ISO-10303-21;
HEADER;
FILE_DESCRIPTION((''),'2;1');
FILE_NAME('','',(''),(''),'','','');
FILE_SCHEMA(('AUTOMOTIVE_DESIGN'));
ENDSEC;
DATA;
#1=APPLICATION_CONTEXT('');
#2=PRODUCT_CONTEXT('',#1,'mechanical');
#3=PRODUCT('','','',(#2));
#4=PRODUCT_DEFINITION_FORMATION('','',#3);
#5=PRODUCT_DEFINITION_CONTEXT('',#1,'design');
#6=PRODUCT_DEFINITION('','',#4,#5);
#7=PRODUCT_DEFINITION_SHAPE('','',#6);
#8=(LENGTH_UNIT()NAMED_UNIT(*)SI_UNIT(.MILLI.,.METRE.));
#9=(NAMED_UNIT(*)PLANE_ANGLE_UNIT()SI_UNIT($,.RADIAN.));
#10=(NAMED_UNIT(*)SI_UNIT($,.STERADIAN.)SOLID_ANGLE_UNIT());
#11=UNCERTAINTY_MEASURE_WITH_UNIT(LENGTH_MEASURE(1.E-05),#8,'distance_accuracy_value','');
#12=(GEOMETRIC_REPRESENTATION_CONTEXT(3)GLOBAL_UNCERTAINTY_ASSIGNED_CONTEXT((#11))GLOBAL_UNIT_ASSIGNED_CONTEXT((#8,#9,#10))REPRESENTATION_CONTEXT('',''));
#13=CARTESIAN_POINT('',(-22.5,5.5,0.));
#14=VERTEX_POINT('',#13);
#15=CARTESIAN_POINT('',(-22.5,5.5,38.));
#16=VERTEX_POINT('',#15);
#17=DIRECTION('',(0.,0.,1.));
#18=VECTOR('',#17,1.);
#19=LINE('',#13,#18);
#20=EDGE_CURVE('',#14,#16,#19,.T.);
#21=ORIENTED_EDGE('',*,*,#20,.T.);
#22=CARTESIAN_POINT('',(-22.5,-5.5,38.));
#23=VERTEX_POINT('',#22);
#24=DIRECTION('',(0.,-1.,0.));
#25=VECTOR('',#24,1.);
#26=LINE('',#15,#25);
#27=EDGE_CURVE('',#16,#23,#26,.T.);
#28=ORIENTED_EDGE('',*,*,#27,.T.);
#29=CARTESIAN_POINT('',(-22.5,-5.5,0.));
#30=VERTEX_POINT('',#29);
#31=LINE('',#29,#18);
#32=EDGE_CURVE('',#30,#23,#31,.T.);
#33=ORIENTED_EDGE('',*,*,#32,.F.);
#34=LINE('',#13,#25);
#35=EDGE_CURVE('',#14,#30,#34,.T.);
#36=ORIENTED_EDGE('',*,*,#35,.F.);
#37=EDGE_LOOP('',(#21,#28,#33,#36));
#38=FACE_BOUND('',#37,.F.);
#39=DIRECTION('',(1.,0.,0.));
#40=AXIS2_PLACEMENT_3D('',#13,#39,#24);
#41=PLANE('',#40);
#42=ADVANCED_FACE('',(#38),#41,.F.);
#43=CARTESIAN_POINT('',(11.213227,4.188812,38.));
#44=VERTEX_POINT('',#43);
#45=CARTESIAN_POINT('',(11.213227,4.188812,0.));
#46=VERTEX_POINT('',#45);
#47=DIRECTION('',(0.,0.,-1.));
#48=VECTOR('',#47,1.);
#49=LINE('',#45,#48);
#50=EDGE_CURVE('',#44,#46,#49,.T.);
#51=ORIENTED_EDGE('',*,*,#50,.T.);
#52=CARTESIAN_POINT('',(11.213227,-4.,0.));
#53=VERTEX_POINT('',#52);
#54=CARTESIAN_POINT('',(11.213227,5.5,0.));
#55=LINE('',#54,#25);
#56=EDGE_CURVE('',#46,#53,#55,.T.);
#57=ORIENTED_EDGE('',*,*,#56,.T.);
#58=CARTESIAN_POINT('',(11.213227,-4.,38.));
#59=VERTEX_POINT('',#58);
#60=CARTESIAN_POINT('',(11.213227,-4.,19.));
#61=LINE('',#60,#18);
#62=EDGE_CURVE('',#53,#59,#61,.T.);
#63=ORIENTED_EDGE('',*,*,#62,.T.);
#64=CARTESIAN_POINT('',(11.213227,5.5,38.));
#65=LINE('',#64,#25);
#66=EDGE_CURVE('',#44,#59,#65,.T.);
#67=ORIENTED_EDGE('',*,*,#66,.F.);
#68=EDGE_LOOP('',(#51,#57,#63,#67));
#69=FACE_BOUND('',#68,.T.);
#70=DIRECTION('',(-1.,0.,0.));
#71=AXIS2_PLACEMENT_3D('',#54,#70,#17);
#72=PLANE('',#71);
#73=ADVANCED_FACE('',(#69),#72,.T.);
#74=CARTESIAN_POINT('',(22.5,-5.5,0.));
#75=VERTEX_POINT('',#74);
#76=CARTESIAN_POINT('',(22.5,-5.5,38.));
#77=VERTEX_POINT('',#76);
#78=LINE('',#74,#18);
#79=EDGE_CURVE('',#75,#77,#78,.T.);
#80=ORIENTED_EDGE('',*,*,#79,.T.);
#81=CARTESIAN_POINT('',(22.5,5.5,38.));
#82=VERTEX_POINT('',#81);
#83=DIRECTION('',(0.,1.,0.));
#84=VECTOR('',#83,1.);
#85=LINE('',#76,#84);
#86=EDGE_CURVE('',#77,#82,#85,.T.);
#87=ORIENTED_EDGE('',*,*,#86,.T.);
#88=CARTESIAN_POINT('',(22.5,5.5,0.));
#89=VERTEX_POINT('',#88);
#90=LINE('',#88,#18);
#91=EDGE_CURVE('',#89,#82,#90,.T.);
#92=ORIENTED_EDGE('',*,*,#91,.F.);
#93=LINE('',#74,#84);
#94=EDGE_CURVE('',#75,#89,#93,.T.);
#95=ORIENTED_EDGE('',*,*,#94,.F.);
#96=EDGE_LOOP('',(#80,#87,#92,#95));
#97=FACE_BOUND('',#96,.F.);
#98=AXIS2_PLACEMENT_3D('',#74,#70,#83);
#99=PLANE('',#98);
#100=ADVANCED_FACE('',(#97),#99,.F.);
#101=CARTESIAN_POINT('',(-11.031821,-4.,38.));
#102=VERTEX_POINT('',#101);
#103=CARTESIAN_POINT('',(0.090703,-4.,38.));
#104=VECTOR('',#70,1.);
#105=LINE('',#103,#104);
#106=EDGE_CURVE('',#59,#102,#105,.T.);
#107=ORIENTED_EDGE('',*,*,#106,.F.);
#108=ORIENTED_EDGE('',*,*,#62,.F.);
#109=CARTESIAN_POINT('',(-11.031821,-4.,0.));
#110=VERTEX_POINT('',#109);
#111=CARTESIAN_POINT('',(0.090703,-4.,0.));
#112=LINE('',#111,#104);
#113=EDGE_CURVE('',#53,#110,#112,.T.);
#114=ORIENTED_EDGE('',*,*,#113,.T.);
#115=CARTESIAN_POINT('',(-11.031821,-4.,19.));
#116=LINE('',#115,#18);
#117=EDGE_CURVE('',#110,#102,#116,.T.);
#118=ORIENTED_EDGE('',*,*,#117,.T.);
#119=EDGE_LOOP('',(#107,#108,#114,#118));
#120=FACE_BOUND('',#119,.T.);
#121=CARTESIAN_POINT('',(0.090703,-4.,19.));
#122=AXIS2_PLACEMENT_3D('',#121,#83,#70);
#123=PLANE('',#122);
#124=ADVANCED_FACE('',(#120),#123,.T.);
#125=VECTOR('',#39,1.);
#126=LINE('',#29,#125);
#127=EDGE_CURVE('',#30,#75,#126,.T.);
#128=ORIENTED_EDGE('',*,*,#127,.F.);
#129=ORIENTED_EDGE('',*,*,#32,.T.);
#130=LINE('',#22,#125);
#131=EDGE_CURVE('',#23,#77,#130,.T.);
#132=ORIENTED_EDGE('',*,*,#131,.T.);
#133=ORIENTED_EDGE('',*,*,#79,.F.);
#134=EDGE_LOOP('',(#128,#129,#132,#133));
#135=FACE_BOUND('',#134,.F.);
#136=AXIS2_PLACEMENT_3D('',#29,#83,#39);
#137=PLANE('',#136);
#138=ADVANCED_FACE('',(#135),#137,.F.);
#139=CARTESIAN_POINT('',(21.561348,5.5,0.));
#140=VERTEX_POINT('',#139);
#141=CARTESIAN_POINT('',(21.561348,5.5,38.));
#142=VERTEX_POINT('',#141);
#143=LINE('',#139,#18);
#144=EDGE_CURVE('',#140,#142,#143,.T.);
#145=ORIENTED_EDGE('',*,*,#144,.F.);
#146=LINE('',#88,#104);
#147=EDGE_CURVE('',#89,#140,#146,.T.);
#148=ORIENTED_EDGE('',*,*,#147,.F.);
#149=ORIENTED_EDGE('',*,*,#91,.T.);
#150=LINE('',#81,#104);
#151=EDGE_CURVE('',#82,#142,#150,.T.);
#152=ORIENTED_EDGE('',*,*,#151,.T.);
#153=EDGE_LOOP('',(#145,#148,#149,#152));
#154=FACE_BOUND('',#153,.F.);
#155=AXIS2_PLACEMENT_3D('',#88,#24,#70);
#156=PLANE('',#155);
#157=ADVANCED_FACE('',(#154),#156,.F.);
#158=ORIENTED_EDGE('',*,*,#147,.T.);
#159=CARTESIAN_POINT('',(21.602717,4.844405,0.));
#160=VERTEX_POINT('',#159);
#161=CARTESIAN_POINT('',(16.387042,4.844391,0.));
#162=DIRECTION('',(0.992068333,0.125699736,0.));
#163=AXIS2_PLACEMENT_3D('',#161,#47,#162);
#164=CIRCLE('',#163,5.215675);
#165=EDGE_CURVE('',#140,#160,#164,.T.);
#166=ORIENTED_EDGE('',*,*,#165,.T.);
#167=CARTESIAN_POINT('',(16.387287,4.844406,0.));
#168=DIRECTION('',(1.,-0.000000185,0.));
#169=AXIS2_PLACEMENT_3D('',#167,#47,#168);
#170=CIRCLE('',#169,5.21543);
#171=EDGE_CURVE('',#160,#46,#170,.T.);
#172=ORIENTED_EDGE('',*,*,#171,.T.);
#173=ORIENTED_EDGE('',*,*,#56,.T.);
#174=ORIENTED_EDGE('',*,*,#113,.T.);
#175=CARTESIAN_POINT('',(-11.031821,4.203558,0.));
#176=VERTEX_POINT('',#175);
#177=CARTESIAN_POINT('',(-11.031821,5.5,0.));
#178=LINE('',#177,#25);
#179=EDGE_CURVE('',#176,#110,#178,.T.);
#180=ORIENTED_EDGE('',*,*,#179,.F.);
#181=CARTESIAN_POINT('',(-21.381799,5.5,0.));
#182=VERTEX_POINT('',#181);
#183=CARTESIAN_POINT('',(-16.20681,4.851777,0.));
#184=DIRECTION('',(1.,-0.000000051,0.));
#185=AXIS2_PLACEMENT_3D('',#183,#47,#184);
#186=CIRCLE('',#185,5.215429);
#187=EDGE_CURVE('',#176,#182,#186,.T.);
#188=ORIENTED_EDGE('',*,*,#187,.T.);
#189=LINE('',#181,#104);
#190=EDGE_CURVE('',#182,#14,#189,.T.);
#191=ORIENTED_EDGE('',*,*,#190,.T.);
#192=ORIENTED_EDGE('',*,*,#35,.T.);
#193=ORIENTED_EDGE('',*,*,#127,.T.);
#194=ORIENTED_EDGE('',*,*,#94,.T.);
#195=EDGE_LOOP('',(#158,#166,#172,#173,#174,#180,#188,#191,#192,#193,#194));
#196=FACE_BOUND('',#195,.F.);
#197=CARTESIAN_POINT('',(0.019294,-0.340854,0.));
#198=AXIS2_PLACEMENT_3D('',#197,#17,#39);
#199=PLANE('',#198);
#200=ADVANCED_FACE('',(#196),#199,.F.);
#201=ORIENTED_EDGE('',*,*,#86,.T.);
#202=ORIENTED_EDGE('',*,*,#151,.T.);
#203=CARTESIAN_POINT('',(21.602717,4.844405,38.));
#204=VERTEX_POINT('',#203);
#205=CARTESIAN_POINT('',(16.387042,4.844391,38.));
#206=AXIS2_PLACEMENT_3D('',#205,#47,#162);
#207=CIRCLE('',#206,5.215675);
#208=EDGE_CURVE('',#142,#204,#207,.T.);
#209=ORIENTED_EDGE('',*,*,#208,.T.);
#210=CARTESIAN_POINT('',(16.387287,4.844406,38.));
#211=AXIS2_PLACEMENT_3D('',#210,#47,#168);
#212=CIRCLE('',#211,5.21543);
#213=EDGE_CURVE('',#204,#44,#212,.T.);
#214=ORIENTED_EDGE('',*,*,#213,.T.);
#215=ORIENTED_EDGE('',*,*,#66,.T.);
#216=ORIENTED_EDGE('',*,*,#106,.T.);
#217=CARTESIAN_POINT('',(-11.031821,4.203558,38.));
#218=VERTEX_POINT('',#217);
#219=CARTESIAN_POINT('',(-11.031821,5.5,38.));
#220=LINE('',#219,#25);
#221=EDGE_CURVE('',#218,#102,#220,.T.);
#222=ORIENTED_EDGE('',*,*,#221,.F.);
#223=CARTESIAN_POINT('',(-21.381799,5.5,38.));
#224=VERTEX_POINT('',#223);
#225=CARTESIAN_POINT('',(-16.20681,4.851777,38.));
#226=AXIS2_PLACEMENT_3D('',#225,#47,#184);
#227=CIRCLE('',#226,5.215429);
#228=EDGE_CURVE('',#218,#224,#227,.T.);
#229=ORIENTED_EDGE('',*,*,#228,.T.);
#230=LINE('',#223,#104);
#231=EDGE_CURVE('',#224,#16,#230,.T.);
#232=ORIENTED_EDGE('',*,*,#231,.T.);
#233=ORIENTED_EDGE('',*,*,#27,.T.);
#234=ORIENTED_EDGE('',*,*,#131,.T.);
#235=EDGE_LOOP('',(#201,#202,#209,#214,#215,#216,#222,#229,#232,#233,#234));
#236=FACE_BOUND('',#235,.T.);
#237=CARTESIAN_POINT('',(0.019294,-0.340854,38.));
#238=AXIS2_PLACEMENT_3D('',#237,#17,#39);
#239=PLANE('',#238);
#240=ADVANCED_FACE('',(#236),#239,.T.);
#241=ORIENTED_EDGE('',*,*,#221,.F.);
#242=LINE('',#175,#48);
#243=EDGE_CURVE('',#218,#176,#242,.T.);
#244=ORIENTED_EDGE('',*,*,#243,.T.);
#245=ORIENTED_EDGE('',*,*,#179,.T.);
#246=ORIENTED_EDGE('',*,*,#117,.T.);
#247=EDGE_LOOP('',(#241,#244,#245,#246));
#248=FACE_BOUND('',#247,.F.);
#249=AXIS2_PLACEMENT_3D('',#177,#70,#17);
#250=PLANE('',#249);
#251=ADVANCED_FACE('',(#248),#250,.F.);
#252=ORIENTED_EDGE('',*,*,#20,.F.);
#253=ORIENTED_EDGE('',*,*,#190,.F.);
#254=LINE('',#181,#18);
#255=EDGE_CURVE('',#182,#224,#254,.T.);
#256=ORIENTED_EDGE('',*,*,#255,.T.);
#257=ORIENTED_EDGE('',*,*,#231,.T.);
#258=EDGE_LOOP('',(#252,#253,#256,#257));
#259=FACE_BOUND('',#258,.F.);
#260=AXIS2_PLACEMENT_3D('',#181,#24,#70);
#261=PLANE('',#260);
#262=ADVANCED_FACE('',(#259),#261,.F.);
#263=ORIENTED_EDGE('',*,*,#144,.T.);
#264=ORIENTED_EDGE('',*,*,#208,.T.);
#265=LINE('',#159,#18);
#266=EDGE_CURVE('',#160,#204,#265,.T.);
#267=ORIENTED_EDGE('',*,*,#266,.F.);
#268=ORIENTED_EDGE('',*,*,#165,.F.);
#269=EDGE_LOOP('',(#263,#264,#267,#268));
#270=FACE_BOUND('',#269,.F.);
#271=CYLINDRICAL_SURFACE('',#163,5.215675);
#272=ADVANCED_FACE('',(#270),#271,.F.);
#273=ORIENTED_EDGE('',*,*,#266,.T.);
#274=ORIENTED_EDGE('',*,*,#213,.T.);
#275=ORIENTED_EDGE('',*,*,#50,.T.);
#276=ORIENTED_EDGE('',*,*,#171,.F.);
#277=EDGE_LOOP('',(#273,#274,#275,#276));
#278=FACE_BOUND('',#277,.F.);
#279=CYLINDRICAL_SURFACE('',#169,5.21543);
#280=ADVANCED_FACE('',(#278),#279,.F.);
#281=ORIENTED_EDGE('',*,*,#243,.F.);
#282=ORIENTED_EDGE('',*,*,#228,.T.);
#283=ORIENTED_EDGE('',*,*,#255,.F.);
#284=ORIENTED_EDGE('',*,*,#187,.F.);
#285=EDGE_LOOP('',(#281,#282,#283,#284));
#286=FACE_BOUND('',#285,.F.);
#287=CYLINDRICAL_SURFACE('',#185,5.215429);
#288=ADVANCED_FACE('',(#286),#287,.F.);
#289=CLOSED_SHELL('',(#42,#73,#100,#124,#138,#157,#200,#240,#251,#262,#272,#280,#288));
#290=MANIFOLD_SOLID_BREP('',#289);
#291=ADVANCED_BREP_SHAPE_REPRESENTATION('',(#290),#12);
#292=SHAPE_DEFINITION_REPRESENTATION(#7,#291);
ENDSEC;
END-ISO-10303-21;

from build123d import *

# Parameters (mm, degrees)
F2_DEPTH  = 38
F2_FACE_W = 22.245048
F2_FACE_H = 38
F3_DEPTH  = 9.5


with BuildPart() as f2:
    # F1 (on face) → F2 (new body)
    with BuildSketch(Plane.XY):
        with BuildLine():
            ThreePointArc((-11.031821, 5.5), (-11.001501, 5.176519), (-10.991381, 4.851777))
            ThreePointArc((-10.991381, 4.851777), (-16.531552, -0.353532), (-21.381799, 5.5))
            Line((-21.381799, 5.5), (-22.5, 5.5))
            Line((-22.5, 5.5), (-22.5, -5.5))
            Line((-22.5, -5.5), (22.5, -5.5))
            Line((22.5, -5.5), (22.5, 5.5))
            Line((22.5, 5.5), (21.561348, 5.5))
            ThreePointArc((21.561348, 5.5), (21.592364, 5.172855), (21.602717, 4.844405))
            ThreePointArc((21.602717, 4.844405), (16.058838, -0.360671), (11.213227, 5.5))
            Line((11.213227, 5.5), (-11.031821, 5.5))
        make_face()
    extrude(amount=F2_DEPTH)

    # F2_face (on face) → F3 (cut)
    with BuildSketch(Plane(origin=(0.090703, 5.5, 19), x_dir=(-1, 0, 0), z_dir=(0, 1, 0))):
        Rectangle(F2_FACE_W, F2_FACE_H)
    extrude(amount=-F3_DEPTH, mode=Mode.SUBTRACT)


solid = f2.part
